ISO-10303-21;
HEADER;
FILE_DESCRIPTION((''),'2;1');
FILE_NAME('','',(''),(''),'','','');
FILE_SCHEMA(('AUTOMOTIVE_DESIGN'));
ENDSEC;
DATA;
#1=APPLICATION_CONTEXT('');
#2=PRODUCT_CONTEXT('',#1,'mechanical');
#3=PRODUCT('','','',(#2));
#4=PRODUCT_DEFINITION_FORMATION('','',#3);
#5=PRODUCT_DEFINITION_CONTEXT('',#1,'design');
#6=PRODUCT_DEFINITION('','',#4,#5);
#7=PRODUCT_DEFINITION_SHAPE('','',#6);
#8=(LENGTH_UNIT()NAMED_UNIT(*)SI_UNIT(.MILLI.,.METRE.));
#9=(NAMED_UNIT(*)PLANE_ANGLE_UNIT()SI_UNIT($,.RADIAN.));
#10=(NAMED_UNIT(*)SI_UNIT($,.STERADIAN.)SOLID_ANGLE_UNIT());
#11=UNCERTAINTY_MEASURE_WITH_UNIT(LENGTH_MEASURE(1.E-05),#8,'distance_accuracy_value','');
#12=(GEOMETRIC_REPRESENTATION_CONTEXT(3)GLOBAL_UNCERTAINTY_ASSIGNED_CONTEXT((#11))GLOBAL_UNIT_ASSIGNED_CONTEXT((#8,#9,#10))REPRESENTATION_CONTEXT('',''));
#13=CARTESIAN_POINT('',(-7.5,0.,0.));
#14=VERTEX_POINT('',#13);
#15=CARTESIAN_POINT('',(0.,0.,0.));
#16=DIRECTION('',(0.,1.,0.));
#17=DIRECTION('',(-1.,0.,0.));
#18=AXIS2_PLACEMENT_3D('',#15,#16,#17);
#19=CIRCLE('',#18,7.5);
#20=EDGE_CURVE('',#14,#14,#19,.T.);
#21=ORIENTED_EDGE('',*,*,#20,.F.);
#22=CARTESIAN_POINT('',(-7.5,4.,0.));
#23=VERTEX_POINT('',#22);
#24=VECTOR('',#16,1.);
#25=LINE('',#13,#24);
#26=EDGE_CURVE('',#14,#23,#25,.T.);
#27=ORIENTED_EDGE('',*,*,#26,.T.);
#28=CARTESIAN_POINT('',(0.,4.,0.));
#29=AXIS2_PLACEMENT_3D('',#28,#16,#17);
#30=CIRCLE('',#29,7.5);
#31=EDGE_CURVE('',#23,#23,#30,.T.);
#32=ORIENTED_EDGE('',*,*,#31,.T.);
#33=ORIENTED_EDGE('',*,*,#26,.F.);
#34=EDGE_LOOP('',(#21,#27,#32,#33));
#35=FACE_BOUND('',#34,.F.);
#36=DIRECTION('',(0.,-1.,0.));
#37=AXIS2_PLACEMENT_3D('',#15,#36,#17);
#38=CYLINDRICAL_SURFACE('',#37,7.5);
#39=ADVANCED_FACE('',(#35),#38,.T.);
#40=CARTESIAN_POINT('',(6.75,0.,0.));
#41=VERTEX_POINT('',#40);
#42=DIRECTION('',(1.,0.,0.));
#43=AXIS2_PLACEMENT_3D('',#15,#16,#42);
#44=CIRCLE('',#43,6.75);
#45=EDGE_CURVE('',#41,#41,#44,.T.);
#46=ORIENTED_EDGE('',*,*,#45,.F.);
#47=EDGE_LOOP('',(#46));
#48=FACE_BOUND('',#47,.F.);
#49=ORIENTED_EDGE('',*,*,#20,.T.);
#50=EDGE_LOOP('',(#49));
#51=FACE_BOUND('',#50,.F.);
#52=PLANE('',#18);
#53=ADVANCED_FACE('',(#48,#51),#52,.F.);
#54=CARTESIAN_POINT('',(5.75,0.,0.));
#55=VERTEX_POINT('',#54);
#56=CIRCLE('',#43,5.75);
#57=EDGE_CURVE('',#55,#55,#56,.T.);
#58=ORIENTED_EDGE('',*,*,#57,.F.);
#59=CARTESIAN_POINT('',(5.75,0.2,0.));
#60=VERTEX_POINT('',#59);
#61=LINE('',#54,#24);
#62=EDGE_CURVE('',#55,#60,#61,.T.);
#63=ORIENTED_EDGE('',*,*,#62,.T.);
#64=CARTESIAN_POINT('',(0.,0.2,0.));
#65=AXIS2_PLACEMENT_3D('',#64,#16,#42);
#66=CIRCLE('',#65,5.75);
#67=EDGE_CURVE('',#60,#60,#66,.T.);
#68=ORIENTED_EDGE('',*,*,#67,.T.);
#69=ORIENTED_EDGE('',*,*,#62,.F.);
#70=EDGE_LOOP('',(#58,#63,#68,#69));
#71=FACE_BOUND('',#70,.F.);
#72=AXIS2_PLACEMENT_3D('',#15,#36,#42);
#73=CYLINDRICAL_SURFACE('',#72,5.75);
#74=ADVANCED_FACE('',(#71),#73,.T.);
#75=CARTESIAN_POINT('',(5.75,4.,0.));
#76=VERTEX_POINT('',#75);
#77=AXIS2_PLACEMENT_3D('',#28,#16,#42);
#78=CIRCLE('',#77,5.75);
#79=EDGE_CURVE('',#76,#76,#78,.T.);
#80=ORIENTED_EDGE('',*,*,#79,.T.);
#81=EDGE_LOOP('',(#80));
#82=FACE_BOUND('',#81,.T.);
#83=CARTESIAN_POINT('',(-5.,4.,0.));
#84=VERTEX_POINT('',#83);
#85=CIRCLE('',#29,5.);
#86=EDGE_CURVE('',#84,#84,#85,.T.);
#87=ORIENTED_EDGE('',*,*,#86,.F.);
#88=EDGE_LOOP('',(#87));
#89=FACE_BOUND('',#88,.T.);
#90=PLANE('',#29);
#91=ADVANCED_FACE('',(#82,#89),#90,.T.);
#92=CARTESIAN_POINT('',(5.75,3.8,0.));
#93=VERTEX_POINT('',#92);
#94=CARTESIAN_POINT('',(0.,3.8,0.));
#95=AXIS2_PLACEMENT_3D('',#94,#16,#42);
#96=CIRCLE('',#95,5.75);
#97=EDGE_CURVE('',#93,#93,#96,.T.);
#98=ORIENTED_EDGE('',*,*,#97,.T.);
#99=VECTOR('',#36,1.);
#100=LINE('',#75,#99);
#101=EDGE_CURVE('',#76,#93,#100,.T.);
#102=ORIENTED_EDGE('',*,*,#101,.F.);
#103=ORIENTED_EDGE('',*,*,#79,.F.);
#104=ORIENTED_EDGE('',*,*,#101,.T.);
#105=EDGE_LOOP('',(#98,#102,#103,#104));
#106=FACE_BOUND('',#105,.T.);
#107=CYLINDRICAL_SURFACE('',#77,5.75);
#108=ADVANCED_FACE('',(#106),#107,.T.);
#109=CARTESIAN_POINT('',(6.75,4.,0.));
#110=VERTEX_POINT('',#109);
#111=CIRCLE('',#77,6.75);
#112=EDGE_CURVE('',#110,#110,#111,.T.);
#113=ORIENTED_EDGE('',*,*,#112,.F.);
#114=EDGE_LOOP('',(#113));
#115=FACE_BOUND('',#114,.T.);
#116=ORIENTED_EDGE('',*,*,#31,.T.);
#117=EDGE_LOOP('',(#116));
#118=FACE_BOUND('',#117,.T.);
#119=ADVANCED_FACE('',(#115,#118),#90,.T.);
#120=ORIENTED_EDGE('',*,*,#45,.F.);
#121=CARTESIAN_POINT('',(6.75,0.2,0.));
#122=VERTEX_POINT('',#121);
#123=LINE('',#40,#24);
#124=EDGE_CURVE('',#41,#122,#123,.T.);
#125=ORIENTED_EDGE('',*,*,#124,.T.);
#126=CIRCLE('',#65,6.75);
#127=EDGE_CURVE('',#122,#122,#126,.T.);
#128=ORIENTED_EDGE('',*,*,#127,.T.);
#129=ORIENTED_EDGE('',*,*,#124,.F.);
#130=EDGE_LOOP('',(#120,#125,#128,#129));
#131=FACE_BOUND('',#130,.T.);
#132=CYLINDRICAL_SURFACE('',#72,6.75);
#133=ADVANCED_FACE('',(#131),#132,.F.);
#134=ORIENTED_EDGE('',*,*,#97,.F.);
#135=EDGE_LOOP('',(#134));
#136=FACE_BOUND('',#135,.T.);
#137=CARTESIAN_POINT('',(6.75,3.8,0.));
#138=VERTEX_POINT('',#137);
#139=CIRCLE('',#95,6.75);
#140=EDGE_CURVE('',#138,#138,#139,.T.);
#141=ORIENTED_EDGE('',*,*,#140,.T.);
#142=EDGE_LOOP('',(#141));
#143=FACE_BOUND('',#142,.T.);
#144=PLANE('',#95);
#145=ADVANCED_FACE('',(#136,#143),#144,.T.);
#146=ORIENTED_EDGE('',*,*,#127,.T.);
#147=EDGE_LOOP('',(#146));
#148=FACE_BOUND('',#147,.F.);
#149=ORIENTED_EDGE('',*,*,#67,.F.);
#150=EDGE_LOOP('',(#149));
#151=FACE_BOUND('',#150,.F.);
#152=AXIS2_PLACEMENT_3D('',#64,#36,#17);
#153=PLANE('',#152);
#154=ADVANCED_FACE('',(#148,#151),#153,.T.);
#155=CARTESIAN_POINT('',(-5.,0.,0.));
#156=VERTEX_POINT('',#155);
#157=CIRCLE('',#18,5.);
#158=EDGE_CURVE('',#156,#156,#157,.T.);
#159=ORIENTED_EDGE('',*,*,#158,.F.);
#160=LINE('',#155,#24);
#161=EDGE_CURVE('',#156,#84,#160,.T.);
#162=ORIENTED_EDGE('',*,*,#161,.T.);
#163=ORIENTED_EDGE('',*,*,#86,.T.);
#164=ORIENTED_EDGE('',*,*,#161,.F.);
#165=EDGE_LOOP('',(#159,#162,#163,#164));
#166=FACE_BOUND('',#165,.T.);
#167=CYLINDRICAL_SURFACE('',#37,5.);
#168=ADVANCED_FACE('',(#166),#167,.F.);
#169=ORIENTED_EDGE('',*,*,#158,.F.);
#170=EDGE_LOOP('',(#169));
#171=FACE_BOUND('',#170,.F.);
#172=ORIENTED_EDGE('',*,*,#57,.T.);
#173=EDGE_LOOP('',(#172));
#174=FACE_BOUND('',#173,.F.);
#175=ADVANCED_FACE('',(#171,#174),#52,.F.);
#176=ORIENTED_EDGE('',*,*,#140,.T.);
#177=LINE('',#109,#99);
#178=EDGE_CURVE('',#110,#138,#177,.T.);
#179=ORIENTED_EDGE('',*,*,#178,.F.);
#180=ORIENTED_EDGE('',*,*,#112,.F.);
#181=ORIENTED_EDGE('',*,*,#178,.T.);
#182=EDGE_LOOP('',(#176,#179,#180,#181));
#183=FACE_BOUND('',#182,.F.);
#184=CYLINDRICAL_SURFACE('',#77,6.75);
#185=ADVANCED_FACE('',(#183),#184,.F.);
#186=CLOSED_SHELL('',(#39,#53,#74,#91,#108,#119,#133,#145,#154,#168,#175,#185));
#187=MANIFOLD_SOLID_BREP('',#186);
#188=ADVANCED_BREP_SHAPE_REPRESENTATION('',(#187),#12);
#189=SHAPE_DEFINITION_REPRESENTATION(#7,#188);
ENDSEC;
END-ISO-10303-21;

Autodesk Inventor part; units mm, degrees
ref_plane "YZ Plane" through (0, 0, 0) normal (1, 0, 0) x (0, 1, 0)
ref_plane "XZ Plane" through (0, 0, 0) normal (0, 1, 0) x (-1, 0, 0)
sketch "Sketch1" plane through (0, 0, 0) normal (0, 1, 0) x (-1, 0, 0)
  circle A0 centre (0, 0) radius 5
  circle A1 centre (0, 0) radius 7.5
  dimension "d0" = 10
  dimension "d1" = 15
extrude "Extrusion1" add sketch "Sketch1" along normal blind 4
sketch "Sketch2" plane through (0, 4, 0) normal (0, 1, 0) x (1, 0, 0)
  circle A0 centre (0, 0) radius 7.5 projected
  circle A1 centre (0, 0) radius 5 projected
  circle A2 centre (0, 0) radius 5.75
  circle A3 centre (0, 0) radius 6.75
  dimension "d4" = 11.5
  dimension "d5" = 13.5
extrude "Extrusion2" cut sketch "Sketch2" against normal blind 0.2 contours A3
ref_plane "Work Plane1" through (0, 2, 0) normal (0, 1, 0) x (1, 0, 0)
mirror "Mirror1" about plane through (0, 2, 0) normal (0, 1, 0) of "Extrusion2"
properties part number "bearing10X15X4"
